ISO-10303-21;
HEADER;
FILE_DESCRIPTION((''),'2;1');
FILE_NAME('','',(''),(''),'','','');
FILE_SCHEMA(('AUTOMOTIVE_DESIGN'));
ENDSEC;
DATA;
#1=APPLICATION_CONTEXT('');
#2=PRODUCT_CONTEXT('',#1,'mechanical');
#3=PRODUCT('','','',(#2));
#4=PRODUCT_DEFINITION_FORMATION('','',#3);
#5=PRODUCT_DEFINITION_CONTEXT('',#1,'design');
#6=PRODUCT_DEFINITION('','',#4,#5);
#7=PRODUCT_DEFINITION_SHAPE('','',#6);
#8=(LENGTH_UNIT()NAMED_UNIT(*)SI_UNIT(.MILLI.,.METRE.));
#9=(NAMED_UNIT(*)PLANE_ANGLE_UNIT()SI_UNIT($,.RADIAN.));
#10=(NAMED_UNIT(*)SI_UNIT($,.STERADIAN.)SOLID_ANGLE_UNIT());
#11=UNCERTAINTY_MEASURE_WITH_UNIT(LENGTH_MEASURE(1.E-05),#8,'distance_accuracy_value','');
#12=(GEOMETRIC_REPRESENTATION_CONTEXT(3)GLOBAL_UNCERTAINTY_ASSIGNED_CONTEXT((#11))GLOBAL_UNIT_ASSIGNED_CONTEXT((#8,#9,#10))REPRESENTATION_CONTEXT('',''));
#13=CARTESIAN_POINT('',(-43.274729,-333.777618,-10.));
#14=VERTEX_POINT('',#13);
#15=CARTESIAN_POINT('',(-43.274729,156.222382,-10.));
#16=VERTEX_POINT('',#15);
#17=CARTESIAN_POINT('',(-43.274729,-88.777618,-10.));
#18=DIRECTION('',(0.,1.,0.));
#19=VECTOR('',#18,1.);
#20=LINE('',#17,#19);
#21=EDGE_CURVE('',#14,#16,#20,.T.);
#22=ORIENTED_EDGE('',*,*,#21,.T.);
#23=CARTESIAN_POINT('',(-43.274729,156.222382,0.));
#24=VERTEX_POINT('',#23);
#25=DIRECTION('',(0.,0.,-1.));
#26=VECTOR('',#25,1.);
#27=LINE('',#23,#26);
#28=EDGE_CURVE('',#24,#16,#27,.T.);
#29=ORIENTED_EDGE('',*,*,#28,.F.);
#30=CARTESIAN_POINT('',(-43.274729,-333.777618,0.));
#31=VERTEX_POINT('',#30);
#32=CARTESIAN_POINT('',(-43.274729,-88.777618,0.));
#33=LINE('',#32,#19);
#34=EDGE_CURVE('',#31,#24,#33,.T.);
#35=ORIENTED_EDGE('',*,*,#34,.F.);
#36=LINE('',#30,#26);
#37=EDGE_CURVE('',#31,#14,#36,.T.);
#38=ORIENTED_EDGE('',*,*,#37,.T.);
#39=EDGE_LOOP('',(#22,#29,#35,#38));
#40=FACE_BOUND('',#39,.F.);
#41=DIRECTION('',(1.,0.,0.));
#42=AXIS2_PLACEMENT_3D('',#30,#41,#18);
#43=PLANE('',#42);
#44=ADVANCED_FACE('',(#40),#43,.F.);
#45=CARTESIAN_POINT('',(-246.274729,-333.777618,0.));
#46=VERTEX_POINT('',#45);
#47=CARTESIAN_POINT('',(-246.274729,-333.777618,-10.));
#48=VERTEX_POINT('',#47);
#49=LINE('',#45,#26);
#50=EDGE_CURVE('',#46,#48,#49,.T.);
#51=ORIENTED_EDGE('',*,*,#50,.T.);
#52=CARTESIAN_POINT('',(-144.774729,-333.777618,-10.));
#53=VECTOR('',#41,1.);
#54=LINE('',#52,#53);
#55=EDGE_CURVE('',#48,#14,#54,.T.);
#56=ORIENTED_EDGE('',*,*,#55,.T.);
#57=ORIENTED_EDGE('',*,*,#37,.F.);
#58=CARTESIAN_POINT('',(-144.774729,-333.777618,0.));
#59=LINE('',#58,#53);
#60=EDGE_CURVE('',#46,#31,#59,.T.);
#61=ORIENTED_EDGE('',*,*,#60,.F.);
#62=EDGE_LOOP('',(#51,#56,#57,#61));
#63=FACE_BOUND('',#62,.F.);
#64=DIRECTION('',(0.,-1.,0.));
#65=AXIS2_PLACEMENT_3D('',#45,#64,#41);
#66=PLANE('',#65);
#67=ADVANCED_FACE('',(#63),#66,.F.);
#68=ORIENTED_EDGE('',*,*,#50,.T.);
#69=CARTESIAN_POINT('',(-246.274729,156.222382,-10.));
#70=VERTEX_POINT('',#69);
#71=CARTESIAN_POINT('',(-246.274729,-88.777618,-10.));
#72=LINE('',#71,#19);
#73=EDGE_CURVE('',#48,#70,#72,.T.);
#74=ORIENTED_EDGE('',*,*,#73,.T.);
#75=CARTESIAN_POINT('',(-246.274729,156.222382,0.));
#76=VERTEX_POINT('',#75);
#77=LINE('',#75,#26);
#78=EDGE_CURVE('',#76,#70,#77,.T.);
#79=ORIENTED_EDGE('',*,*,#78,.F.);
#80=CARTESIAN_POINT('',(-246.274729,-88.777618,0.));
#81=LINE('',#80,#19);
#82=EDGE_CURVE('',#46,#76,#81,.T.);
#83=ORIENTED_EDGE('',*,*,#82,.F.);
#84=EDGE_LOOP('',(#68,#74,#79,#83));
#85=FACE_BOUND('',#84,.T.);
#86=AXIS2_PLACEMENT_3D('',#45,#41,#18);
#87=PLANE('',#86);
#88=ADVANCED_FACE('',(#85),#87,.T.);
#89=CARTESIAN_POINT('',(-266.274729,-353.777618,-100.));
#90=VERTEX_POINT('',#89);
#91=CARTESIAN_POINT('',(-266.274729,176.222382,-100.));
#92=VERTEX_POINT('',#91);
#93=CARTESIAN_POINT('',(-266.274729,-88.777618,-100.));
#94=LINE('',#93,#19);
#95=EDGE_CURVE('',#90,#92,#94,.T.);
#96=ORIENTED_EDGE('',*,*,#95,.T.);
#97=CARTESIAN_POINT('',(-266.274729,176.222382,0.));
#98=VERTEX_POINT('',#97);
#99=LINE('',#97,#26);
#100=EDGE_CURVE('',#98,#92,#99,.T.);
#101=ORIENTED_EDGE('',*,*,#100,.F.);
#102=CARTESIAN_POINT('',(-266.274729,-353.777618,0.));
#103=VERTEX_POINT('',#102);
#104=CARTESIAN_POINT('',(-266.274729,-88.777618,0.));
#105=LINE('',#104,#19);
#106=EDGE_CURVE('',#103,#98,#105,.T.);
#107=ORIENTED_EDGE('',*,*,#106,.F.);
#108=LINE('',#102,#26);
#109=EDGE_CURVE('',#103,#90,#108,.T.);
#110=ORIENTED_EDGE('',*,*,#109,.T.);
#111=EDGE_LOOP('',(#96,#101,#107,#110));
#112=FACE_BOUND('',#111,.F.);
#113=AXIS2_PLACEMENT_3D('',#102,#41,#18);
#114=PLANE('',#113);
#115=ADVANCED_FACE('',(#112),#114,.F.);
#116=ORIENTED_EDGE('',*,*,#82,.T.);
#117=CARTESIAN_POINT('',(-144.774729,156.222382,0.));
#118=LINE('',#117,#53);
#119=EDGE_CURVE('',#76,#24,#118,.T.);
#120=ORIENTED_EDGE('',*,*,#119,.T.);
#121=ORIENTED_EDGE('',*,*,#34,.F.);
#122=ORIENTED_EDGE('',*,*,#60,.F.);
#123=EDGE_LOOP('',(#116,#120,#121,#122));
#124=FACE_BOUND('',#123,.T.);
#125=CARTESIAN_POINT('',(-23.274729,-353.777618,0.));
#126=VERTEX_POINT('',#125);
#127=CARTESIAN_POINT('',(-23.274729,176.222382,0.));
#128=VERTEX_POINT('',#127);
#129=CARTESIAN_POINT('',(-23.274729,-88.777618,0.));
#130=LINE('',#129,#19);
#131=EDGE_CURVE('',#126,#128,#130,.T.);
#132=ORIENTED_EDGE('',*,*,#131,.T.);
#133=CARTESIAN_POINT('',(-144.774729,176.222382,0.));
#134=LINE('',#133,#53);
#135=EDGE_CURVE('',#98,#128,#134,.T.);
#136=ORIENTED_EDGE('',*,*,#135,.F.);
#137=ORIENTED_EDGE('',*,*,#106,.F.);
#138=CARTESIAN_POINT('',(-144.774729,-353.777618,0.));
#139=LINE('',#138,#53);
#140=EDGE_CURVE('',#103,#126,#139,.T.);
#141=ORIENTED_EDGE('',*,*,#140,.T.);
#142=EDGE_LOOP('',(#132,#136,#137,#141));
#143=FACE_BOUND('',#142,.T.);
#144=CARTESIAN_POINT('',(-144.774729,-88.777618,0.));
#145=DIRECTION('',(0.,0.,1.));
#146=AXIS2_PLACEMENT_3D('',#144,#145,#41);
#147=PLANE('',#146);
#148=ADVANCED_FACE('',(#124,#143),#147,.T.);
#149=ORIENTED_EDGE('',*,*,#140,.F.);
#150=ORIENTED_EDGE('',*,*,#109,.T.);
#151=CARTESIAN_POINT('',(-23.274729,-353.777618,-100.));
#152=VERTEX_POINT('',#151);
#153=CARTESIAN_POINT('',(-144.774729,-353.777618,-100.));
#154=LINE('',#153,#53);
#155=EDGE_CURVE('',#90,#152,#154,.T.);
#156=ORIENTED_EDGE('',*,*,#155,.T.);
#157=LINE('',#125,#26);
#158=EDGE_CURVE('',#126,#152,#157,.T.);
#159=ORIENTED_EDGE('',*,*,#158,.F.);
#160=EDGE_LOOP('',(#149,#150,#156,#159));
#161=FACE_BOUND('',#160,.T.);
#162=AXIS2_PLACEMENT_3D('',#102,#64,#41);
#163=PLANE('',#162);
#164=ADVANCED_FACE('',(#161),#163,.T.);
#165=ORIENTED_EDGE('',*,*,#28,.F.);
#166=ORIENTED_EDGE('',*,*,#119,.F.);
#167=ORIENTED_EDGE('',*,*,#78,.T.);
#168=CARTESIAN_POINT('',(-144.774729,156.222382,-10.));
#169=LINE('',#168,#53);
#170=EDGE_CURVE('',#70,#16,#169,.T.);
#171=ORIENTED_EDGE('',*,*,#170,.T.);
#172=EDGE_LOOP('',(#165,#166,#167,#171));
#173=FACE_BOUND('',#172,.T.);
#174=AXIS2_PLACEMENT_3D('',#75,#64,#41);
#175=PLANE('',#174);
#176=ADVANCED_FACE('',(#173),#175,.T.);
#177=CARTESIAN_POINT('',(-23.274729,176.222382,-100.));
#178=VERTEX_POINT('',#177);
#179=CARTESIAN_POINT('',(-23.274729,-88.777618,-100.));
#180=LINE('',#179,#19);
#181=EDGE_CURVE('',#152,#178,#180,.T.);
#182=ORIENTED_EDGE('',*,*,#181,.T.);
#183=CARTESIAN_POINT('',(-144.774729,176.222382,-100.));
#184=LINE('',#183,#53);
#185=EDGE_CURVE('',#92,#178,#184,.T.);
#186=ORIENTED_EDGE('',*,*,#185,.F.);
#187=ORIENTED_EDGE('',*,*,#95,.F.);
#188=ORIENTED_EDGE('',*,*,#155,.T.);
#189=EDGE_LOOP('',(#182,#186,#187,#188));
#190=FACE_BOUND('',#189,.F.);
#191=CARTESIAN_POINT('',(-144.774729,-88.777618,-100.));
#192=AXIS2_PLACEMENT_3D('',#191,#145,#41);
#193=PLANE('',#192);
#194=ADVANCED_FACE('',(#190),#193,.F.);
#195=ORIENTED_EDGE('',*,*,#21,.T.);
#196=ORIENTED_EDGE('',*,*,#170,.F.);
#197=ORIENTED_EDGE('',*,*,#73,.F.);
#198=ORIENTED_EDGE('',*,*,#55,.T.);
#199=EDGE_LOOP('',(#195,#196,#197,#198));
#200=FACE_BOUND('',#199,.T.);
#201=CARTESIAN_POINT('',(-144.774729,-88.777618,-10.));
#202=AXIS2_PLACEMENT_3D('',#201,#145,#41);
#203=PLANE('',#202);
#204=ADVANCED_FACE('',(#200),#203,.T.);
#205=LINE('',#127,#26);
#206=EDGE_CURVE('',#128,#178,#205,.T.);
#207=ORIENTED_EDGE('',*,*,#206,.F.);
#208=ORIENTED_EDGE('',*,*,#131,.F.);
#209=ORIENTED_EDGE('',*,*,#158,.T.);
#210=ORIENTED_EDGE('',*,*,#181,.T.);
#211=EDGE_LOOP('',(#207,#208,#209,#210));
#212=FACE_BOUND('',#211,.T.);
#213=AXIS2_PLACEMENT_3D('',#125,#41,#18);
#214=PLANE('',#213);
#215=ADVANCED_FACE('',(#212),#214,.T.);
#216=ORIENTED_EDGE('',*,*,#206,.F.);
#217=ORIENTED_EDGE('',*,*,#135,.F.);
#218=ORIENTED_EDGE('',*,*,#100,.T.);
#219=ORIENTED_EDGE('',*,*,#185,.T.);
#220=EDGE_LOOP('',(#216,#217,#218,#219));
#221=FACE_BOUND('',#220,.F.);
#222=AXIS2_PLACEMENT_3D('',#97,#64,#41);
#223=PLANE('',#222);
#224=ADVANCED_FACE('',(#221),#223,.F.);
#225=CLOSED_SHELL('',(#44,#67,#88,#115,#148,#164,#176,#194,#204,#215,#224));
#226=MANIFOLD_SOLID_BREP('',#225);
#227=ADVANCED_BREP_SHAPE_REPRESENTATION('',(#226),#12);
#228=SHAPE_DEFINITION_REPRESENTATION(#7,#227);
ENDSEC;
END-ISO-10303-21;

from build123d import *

# Parameters (mm, degrees)
F0_W     = 243
F0_H     = 530
F0_W_2   = 203
F0_H_2   = 490
F1_DEPTH = 100
F2_DEPTH = 10


with BuildPart() as f1:
    # F0 (on Top) → F1 (new body)
    with BuildSketch(Plane.XY):
        with Locations((-144.774729, -88.777618)):
            Rectangle(F0_W, F0_H)
        with Locations((-144.774729, -88.777618)):
            Rectangle(F0_W_2, F0_H_2, mode=Mode.SUBTRACT)
        with Locations((-144.774729, -88.777618)):
            Rectangle(F0_W_2, F0_H_2)
    extrude(amount=-F1_DEPTH)

    # F0 (on Top) → F2 (cut)
    with BuildSketch(Plane.XY):
        with Locations((-144.774729, -88.777618)):
            Rectangle(F0_W_2, F0_H_2)
    extrude(amount=-F2_DEPTH, mode=Mode.SUBTRACT)


solid = f1.part
